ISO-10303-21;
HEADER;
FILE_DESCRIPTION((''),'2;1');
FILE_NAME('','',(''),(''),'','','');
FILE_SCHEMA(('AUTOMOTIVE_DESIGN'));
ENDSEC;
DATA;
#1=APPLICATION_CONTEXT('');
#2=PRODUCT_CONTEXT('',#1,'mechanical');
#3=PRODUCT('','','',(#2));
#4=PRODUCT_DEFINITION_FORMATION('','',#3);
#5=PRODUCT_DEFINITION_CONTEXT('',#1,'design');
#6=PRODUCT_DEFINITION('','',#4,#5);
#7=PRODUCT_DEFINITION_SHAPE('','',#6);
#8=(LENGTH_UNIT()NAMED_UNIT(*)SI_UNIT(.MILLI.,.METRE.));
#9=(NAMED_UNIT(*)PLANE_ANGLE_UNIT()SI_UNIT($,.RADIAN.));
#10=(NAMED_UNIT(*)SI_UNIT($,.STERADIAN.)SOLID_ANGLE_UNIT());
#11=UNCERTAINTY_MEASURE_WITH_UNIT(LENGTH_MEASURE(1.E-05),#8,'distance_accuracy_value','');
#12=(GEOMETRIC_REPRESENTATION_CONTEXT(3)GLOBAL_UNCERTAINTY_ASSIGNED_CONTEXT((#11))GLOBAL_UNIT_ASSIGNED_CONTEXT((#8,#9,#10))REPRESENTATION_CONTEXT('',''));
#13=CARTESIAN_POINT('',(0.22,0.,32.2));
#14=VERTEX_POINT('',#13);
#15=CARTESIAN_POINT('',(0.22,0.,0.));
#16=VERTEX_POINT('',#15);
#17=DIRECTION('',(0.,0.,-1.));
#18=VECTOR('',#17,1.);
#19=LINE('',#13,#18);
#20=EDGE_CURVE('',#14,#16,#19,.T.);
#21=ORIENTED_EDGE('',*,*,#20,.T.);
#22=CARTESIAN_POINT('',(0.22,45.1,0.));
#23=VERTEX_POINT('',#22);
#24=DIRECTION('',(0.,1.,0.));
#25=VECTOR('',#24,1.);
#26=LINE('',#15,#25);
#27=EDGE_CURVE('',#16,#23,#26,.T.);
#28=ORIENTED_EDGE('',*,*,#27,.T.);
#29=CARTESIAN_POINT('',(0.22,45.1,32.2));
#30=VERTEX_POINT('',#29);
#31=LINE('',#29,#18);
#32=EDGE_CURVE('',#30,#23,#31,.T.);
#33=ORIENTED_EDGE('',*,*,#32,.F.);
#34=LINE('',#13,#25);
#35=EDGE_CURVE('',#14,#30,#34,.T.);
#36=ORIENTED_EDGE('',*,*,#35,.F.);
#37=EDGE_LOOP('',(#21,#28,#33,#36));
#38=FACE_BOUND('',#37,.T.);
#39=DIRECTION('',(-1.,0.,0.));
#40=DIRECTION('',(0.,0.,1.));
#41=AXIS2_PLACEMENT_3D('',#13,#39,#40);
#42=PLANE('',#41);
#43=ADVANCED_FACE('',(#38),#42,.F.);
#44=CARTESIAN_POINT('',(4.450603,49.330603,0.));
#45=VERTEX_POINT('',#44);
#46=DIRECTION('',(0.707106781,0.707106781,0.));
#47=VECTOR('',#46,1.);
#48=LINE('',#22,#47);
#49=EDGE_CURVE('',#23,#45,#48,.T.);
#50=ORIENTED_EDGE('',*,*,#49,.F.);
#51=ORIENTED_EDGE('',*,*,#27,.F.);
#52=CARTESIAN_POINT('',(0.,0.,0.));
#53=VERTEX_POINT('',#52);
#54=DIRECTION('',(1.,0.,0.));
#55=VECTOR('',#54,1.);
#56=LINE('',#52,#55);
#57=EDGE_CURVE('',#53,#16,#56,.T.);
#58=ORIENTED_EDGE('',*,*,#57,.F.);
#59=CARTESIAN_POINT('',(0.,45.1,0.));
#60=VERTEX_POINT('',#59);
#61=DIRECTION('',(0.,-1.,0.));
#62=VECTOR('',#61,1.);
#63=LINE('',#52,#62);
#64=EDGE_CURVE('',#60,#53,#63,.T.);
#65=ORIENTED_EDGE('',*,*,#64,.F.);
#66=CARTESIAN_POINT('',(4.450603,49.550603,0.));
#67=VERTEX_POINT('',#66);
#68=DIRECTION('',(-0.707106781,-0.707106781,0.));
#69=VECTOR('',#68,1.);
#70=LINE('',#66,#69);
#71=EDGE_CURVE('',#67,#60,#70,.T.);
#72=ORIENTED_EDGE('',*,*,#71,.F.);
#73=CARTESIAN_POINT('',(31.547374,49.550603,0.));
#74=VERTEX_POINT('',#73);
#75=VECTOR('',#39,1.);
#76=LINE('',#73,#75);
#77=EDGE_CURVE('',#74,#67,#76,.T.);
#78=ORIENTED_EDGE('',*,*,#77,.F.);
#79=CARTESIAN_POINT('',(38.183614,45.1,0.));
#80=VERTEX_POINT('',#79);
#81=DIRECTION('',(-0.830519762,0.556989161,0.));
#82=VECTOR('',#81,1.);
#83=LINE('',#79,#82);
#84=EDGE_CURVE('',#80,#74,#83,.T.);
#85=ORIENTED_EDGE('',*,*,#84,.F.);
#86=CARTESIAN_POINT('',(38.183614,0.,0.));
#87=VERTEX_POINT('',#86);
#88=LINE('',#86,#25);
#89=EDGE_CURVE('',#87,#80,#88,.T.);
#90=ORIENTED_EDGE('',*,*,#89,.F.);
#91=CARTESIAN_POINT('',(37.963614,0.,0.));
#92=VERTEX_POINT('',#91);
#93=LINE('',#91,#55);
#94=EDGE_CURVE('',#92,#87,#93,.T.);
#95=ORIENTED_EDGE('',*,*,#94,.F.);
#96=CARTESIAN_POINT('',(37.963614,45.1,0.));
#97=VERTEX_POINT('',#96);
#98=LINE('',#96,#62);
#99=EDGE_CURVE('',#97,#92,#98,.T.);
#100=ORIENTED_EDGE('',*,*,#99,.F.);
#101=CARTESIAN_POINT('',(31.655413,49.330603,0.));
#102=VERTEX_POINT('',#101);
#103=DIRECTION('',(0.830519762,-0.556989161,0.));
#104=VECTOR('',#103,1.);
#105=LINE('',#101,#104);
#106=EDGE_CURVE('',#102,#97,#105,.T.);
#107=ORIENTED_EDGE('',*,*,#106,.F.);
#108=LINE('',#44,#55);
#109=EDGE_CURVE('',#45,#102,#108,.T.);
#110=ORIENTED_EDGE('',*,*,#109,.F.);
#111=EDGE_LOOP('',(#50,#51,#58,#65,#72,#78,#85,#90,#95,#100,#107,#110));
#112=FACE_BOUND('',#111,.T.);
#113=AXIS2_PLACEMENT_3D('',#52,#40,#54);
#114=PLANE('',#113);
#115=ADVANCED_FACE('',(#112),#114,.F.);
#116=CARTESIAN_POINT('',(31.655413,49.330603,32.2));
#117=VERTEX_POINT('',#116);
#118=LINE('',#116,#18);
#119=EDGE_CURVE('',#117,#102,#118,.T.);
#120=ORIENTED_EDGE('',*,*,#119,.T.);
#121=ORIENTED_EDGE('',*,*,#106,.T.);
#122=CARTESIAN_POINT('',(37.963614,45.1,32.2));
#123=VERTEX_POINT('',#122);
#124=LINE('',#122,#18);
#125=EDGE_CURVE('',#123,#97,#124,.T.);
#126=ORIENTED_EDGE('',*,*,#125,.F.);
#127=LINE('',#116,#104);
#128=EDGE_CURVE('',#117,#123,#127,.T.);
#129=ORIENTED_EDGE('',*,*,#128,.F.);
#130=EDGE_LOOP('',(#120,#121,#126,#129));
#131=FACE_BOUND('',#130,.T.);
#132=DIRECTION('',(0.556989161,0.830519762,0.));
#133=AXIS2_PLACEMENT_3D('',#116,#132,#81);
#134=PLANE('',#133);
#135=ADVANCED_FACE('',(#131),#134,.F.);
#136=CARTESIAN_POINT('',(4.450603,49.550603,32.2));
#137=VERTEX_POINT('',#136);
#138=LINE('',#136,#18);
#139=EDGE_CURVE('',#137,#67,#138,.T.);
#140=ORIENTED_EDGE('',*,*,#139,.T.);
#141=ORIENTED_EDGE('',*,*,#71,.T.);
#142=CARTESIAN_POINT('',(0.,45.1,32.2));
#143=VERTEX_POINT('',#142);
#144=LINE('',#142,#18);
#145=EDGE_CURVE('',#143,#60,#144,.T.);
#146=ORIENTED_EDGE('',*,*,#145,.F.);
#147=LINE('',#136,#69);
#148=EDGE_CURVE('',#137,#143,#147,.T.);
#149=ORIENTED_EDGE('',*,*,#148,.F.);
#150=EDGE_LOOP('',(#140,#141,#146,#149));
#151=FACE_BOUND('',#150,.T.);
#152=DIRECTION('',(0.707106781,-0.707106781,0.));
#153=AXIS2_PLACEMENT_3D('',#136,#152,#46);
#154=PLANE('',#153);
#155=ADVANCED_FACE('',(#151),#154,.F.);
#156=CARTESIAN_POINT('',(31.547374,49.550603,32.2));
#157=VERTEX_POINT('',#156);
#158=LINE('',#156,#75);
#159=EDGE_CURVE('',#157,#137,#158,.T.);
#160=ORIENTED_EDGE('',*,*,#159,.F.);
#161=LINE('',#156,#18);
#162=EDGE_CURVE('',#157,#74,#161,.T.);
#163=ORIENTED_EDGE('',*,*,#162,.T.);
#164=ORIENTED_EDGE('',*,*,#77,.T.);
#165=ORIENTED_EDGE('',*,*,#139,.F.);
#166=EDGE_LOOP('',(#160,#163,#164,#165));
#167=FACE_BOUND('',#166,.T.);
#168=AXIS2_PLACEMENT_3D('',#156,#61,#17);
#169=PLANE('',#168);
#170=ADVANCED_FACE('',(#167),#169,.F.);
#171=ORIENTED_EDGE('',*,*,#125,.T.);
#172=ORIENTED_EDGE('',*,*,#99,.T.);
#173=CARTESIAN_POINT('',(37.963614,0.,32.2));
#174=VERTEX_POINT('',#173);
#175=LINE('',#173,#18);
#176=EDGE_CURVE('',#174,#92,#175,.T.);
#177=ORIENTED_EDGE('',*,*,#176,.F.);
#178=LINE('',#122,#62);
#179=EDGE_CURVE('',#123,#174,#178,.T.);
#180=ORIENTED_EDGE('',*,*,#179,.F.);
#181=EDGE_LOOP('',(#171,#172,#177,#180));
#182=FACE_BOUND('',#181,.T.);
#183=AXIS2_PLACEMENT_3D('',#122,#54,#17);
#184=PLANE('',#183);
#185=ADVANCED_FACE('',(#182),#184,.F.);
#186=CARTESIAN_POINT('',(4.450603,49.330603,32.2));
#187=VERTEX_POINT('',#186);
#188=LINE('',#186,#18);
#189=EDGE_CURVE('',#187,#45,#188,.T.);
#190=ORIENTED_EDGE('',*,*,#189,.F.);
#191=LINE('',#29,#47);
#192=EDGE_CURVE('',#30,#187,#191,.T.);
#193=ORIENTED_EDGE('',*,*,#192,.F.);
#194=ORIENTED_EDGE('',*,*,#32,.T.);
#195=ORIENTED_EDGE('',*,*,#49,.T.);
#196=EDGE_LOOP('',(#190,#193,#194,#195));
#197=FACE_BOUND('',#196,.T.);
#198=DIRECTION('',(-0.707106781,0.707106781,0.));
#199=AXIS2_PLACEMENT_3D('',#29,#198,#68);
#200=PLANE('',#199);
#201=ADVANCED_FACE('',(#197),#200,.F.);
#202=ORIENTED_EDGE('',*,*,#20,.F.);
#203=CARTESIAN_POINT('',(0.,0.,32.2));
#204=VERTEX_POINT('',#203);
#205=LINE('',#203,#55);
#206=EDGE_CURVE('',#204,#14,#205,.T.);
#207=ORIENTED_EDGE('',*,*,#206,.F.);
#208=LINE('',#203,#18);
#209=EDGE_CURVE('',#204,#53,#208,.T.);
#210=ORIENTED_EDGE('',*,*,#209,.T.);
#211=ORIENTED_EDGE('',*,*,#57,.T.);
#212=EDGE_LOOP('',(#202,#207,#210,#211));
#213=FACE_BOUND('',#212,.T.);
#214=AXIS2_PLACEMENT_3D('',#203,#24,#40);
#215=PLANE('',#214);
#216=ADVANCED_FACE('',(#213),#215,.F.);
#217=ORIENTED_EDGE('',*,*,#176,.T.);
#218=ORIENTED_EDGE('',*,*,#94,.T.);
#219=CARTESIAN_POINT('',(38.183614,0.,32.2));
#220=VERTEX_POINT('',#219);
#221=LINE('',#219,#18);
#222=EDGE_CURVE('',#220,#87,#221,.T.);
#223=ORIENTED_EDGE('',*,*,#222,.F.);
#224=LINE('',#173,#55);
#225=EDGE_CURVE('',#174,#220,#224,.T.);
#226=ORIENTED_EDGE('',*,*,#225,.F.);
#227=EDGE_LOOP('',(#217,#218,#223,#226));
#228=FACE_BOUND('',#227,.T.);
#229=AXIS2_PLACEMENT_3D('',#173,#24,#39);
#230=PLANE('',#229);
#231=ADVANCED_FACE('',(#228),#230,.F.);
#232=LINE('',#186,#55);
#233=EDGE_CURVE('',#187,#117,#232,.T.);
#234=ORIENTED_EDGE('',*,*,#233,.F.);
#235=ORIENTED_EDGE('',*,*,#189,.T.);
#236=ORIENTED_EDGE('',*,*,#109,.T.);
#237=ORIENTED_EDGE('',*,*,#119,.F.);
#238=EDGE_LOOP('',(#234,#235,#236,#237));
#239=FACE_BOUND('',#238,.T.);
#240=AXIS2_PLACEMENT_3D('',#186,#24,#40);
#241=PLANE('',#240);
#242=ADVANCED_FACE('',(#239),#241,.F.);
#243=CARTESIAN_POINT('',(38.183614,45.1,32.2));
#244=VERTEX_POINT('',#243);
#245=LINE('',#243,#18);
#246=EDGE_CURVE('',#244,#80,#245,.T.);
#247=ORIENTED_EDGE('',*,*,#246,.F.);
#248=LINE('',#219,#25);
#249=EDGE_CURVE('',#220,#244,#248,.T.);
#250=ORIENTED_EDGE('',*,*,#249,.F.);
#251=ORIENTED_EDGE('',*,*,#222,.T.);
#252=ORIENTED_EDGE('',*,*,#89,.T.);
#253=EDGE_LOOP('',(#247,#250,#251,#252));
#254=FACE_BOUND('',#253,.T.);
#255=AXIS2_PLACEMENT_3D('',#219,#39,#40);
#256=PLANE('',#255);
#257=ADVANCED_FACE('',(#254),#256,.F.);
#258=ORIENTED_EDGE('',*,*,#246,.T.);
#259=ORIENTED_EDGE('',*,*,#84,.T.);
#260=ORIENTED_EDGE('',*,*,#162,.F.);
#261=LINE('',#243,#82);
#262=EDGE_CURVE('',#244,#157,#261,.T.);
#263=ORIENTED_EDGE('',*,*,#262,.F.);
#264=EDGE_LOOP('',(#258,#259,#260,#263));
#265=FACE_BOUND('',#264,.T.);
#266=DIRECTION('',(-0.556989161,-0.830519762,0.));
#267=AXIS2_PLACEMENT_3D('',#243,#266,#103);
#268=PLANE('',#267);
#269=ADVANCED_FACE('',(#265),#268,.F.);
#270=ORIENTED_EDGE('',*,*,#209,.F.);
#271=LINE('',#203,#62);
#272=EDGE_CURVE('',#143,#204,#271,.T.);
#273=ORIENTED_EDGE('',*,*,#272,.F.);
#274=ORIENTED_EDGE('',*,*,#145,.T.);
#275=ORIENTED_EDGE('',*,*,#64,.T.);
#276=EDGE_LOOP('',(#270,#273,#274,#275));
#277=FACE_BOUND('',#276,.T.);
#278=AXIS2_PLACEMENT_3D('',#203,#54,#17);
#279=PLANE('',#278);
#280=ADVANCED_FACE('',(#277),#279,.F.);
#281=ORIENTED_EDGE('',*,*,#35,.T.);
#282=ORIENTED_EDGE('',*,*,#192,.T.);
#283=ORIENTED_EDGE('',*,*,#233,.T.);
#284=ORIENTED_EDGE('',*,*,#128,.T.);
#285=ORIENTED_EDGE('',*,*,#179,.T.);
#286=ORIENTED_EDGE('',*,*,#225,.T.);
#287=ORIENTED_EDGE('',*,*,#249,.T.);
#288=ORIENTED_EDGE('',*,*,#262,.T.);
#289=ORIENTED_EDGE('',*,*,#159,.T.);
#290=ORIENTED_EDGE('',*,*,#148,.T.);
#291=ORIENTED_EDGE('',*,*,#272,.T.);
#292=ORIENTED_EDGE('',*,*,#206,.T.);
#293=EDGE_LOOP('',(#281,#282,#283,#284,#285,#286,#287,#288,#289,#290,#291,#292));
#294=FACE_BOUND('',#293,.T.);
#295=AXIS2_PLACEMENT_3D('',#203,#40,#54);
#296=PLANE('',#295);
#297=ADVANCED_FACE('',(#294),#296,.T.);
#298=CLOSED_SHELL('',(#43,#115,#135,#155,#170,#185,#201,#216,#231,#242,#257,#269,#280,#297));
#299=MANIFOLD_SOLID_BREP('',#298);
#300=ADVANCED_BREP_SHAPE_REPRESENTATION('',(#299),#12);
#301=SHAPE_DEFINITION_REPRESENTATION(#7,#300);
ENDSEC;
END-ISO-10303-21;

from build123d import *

# Parameters (mm, degrees)
BOSS_EXTRUDE1_DEPTH = 32.2


with BuildPart() as part:
    # Sketch1 → Boss-Extrude1 (new body)
    with BuildSketch(Plane.XY):
        Polygon((0, 0), (0, 45.1), (4.450602869, 49.550602869), (31.547374035, 49.550602869), (38.183613829, 45.1), (38.183613829, 0), (37.963613829, 0), (37.963613829, 45.1), (31.655413358, 49.330602869), (4.450602869, 49.330602869), (0.22, 45.1), (0.22, 0), align=None)
    extrude(amount=BOSS_EXTRUDE1_DEPTH)


solid = part.part
